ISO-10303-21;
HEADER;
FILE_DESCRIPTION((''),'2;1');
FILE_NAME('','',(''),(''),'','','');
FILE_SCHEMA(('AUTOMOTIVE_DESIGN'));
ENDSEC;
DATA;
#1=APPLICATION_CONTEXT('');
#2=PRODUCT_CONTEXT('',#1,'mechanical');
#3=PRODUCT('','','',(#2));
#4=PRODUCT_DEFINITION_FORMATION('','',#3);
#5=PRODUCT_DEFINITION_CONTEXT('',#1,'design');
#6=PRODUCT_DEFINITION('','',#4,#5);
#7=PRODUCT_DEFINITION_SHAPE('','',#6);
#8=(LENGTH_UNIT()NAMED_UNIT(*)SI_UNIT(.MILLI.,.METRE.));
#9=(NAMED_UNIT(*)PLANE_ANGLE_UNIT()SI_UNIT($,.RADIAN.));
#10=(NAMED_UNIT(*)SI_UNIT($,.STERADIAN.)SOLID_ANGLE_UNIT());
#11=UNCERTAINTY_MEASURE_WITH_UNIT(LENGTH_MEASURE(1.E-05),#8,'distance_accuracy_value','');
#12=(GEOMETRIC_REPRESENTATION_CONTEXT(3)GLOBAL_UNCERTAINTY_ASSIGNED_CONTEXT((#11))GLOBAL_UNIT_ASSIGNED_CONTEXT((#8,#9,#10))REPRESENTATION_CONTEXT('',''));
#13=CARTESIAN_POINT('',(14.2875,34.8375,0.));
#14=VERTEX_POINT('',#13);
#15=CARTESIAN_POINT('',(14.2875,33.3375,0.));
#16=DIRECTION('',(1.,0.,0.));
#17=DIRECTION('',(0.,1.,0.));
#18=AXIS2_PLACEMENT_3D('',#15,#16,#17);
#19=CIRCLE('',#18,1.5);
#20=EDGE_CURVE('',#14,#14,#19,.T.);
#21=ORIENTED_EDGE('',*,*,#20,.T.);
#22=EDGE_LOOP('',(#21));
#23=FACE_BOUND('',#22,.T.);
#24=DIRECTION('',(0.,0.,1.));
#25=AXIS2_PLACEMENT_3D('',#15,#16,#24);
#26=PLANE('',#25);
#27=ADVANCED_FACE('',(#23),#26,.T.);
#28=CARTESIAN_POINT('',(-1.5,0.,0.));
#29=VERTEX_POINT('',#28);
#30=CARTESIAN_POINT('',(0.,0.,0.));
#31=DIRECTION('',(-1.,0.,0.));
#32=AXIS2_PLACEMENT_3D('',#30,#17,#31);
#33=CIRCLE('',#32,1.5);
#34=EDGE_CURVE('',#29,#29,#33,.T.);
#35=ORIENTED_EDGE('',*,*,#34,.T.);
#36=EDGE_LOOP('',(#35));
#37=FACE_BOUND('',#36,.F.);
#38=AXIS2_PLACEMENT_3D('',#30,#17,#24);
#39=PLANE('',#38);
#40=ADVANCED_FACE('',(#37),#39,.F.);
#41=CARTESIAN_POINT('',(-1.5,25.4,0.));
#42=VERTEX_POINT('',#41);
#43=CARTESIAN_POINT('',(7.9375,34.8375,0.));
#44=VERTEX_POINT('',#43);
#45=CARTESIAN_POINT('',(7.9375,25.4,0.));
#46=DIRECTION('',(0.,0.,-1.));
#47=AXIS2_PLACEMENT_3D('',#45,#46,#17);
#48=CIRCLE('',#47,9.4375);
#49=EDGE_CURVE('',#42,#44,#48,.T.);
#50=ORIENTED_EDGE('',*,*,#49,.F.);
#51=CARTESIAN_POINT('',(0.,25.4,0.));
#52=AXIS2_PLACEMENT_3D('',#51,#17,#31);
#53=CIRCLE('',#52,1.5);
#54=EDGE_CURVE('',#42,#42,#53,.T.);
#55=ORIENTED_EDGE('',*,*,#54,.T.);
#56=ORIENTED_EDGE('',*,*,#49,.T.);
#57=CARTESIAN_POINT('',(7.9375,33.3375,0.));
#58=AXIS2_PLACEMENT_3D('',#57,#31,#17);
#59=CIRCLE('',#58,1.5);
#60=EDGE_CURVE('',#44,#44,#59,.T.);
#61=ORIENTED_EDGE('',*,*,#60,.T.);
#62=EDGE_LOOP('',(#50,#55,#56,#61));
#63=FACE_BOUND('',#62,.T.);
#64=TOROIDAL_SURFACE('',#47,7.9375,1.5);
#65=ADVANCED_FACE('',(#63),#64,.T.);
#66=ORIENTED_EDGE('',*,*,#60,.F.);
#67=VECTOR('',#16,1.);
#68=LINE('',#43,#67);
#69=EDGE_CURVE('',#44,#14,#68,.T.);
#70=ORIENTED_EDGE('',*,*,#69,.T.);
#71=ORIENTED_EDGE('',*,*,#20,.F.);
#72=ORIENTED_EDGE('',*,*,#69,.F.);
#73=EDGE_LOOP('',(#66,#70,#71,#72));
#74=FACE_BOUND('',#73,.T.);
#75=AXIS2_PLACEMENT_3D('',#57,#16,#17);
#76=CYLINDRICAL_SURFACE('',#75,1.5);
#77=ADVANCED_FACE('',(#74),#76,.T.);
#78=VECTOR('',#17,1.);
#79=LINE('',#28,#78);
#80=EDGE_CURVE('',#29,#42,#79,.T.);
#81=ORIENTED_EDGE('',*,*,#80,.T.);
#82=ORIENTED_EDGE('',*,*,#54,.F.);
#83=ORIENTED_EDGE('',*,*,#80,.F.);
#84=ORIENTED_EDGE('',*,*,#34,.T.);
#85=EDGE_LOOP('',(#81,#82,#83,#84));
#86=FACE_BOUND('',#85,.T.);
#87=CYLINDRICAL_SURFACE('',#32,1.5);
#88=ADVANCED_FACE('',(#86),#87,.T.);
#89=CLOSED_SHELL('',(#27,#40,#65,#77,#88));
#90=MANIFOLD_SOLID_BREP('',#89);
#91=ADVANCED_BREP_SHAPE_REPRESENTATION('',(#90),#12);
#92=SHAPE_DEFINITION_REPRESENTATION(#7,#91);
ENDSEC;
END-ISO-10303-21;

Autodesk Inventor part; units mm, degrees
ref_plane "YZ Plane" through (0, 0, 0) normal (1, 0, 0) x (0, 1, 0)
ref_plane "XZ Plane" through (0, 0, 0) normal (0, 1, 0) x (-1, 0, 0)
ref_plane "XY Plane" through (0, 0, 0) normal (0, 0, 1) x (1, 0, 0)
sketch "Sketch1" plane through (0, 0, 0) normal (0, 0, 1) x (1, 0, 0)
  line L0 (0, 0) -> (0, 25.4)
  line L1 (0, 25.4) -> (7.9375, 25.4)
  line L2 (7.9375, 25.4) -> (7.9375, 33.3375)
  line L3 (7.9375, 33.3375) -> (14.2875, 33.3375)
  arc A0 (7.9375, 33.3375) -> (0, 25.4) centre (7.9375, 25.4) ccw
  dimension "d0" = 25.4
  dimension "d1" = 7.9375
  dimension "d2" = 7.9375
  dimension "d3" = 6.35
sketch "Sketch2" plane through (0, 0, 0) normal (0, 1, 0) x (-1, 0, 0)
  circle A0 centre (0, 0) radius 1.5
  dimension "d4" = 3
sweep "Sweep1" add profiles "Sketch2" path "Sketch1" path curves L0 A0 L3
properties part number "3mmControlSurfaceShaft_1"
